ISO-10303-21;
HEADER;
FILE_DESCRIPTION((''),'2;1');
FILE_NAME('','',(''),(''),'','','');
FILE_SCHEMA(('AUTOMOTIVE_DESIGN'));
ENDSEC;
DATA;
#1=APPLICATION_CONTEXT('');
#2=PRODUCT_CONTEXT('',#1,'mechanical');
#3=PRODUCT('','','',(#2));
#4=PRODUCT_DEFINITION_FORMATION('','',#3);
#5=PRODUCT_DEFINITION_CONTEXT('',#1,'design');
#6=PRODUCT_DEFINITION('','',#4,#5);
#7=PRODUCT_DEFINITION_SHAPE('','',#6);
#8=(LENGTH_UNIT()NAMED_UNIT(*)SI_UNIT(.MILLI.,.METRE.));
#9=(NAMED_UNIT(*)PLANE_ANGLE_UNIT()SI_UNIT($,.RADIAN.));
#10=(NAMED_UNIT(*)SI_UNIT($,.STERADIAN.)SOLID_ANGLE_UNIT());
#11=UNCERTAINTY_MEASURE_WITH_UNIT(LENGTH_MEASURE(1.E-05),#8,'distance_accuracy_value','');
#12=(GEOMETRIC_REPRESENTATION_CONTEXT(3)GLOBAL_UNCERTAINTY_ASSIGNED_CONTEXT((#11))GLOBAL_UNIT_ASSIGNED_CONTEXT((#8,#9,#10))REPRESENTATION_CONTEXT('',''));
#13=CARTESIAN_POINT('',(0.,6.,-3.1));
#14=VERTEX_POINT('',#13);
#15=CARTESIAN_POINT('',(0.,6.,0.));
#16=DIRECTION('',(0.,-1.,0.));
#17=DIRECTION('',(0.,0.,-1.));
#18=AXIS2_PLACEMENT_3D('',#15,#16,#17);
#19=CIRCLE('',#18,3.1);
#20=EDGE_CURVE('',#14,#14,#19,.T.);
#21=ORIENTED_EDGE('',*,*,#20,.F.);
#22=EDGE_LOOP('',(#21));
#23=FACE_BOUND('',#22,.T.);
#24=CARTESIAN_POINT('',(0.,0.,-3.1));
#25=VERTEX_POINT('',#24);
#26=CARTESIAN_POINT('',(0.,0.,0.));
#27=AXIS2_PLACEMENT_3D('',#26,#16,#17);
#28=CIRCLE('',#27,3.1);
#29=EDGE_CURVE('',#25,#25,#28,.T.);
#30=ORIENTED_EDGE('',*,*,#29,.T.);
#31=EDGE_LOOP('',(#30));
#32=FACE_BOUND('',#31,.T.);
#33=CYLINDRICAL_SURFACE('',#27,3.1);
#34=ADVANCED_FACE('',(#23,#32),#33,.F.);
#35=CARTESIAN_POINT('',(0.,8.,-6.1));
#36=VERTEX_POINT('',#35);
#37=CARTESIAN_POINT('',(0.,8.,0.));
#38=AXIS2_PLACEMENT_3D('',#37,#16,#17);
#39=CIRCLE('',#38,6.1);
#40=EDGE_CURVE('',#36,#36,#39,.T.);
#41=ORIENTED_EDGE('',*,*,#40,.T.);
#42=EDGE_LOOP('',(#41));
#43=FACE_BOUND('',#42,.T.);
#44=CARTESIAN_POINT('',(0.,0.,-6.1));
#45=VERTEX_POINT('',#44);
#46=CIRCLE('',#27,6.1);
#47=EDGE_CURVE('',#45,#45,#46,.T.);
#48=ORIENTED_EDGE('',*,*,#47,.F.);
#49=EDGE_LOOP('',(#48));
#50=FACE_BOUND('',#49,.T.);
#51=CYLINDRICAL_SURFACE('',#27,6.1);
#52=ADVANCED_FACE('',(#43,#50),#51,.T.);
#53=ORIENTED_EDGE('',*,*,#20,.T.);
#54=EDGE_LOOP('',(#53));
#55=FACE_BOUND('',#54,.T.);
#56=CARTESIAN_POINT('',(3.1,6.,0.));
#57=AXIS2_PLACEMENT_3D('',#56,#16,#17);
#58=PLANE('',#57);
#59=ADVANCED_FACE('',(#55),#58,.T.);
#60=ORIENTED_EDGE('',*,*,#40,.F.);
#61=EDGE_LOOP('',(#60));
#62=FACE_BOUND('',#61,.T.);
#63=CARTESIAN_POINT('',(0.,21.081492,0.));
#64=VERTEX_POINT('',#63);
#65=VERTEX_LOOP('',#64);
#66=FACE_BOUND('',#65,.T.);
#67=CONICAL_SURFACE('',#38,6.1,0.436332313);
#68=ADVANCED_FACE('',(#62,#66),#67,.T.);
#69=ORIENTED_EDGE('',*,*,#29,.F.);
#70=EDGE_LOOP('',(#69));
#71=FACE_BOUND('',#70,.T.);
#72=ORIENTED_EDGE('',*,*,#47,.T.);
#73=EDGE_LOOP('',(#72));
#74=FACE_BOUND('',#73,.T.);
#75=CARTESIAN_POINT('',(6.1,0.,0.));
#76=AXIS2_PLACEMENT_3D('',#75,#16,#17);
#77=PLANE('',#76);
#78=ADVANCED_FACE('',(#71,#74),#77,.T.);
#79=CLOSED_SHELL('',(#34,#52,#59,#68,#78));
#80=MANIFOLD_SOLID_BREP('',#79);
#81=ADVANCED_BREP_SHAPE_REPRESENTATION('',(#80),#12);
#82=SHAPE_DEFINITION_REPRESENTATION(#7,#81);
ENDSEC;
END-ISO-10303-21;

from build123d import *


with BuildPart() as part:
    # Esquisse1 → Révolution1 (revolve)
    with BuildSketch(Plane.XY, mode=Mode.PRIVATE) as r_volution1_sk:
        Polygon((3.1, 0), (3.1, 6), (0, 6), (0, 21.081492215), (6.1, 8), (6.1, 0), align=None)
    revolve(r_volution1_sk.sketch.rotate(Axis((0, 0, 0), (0, 1, 0)), 90), axis=Axis((0, 0, 0), (0, 1, 0)))


solid = part.part
